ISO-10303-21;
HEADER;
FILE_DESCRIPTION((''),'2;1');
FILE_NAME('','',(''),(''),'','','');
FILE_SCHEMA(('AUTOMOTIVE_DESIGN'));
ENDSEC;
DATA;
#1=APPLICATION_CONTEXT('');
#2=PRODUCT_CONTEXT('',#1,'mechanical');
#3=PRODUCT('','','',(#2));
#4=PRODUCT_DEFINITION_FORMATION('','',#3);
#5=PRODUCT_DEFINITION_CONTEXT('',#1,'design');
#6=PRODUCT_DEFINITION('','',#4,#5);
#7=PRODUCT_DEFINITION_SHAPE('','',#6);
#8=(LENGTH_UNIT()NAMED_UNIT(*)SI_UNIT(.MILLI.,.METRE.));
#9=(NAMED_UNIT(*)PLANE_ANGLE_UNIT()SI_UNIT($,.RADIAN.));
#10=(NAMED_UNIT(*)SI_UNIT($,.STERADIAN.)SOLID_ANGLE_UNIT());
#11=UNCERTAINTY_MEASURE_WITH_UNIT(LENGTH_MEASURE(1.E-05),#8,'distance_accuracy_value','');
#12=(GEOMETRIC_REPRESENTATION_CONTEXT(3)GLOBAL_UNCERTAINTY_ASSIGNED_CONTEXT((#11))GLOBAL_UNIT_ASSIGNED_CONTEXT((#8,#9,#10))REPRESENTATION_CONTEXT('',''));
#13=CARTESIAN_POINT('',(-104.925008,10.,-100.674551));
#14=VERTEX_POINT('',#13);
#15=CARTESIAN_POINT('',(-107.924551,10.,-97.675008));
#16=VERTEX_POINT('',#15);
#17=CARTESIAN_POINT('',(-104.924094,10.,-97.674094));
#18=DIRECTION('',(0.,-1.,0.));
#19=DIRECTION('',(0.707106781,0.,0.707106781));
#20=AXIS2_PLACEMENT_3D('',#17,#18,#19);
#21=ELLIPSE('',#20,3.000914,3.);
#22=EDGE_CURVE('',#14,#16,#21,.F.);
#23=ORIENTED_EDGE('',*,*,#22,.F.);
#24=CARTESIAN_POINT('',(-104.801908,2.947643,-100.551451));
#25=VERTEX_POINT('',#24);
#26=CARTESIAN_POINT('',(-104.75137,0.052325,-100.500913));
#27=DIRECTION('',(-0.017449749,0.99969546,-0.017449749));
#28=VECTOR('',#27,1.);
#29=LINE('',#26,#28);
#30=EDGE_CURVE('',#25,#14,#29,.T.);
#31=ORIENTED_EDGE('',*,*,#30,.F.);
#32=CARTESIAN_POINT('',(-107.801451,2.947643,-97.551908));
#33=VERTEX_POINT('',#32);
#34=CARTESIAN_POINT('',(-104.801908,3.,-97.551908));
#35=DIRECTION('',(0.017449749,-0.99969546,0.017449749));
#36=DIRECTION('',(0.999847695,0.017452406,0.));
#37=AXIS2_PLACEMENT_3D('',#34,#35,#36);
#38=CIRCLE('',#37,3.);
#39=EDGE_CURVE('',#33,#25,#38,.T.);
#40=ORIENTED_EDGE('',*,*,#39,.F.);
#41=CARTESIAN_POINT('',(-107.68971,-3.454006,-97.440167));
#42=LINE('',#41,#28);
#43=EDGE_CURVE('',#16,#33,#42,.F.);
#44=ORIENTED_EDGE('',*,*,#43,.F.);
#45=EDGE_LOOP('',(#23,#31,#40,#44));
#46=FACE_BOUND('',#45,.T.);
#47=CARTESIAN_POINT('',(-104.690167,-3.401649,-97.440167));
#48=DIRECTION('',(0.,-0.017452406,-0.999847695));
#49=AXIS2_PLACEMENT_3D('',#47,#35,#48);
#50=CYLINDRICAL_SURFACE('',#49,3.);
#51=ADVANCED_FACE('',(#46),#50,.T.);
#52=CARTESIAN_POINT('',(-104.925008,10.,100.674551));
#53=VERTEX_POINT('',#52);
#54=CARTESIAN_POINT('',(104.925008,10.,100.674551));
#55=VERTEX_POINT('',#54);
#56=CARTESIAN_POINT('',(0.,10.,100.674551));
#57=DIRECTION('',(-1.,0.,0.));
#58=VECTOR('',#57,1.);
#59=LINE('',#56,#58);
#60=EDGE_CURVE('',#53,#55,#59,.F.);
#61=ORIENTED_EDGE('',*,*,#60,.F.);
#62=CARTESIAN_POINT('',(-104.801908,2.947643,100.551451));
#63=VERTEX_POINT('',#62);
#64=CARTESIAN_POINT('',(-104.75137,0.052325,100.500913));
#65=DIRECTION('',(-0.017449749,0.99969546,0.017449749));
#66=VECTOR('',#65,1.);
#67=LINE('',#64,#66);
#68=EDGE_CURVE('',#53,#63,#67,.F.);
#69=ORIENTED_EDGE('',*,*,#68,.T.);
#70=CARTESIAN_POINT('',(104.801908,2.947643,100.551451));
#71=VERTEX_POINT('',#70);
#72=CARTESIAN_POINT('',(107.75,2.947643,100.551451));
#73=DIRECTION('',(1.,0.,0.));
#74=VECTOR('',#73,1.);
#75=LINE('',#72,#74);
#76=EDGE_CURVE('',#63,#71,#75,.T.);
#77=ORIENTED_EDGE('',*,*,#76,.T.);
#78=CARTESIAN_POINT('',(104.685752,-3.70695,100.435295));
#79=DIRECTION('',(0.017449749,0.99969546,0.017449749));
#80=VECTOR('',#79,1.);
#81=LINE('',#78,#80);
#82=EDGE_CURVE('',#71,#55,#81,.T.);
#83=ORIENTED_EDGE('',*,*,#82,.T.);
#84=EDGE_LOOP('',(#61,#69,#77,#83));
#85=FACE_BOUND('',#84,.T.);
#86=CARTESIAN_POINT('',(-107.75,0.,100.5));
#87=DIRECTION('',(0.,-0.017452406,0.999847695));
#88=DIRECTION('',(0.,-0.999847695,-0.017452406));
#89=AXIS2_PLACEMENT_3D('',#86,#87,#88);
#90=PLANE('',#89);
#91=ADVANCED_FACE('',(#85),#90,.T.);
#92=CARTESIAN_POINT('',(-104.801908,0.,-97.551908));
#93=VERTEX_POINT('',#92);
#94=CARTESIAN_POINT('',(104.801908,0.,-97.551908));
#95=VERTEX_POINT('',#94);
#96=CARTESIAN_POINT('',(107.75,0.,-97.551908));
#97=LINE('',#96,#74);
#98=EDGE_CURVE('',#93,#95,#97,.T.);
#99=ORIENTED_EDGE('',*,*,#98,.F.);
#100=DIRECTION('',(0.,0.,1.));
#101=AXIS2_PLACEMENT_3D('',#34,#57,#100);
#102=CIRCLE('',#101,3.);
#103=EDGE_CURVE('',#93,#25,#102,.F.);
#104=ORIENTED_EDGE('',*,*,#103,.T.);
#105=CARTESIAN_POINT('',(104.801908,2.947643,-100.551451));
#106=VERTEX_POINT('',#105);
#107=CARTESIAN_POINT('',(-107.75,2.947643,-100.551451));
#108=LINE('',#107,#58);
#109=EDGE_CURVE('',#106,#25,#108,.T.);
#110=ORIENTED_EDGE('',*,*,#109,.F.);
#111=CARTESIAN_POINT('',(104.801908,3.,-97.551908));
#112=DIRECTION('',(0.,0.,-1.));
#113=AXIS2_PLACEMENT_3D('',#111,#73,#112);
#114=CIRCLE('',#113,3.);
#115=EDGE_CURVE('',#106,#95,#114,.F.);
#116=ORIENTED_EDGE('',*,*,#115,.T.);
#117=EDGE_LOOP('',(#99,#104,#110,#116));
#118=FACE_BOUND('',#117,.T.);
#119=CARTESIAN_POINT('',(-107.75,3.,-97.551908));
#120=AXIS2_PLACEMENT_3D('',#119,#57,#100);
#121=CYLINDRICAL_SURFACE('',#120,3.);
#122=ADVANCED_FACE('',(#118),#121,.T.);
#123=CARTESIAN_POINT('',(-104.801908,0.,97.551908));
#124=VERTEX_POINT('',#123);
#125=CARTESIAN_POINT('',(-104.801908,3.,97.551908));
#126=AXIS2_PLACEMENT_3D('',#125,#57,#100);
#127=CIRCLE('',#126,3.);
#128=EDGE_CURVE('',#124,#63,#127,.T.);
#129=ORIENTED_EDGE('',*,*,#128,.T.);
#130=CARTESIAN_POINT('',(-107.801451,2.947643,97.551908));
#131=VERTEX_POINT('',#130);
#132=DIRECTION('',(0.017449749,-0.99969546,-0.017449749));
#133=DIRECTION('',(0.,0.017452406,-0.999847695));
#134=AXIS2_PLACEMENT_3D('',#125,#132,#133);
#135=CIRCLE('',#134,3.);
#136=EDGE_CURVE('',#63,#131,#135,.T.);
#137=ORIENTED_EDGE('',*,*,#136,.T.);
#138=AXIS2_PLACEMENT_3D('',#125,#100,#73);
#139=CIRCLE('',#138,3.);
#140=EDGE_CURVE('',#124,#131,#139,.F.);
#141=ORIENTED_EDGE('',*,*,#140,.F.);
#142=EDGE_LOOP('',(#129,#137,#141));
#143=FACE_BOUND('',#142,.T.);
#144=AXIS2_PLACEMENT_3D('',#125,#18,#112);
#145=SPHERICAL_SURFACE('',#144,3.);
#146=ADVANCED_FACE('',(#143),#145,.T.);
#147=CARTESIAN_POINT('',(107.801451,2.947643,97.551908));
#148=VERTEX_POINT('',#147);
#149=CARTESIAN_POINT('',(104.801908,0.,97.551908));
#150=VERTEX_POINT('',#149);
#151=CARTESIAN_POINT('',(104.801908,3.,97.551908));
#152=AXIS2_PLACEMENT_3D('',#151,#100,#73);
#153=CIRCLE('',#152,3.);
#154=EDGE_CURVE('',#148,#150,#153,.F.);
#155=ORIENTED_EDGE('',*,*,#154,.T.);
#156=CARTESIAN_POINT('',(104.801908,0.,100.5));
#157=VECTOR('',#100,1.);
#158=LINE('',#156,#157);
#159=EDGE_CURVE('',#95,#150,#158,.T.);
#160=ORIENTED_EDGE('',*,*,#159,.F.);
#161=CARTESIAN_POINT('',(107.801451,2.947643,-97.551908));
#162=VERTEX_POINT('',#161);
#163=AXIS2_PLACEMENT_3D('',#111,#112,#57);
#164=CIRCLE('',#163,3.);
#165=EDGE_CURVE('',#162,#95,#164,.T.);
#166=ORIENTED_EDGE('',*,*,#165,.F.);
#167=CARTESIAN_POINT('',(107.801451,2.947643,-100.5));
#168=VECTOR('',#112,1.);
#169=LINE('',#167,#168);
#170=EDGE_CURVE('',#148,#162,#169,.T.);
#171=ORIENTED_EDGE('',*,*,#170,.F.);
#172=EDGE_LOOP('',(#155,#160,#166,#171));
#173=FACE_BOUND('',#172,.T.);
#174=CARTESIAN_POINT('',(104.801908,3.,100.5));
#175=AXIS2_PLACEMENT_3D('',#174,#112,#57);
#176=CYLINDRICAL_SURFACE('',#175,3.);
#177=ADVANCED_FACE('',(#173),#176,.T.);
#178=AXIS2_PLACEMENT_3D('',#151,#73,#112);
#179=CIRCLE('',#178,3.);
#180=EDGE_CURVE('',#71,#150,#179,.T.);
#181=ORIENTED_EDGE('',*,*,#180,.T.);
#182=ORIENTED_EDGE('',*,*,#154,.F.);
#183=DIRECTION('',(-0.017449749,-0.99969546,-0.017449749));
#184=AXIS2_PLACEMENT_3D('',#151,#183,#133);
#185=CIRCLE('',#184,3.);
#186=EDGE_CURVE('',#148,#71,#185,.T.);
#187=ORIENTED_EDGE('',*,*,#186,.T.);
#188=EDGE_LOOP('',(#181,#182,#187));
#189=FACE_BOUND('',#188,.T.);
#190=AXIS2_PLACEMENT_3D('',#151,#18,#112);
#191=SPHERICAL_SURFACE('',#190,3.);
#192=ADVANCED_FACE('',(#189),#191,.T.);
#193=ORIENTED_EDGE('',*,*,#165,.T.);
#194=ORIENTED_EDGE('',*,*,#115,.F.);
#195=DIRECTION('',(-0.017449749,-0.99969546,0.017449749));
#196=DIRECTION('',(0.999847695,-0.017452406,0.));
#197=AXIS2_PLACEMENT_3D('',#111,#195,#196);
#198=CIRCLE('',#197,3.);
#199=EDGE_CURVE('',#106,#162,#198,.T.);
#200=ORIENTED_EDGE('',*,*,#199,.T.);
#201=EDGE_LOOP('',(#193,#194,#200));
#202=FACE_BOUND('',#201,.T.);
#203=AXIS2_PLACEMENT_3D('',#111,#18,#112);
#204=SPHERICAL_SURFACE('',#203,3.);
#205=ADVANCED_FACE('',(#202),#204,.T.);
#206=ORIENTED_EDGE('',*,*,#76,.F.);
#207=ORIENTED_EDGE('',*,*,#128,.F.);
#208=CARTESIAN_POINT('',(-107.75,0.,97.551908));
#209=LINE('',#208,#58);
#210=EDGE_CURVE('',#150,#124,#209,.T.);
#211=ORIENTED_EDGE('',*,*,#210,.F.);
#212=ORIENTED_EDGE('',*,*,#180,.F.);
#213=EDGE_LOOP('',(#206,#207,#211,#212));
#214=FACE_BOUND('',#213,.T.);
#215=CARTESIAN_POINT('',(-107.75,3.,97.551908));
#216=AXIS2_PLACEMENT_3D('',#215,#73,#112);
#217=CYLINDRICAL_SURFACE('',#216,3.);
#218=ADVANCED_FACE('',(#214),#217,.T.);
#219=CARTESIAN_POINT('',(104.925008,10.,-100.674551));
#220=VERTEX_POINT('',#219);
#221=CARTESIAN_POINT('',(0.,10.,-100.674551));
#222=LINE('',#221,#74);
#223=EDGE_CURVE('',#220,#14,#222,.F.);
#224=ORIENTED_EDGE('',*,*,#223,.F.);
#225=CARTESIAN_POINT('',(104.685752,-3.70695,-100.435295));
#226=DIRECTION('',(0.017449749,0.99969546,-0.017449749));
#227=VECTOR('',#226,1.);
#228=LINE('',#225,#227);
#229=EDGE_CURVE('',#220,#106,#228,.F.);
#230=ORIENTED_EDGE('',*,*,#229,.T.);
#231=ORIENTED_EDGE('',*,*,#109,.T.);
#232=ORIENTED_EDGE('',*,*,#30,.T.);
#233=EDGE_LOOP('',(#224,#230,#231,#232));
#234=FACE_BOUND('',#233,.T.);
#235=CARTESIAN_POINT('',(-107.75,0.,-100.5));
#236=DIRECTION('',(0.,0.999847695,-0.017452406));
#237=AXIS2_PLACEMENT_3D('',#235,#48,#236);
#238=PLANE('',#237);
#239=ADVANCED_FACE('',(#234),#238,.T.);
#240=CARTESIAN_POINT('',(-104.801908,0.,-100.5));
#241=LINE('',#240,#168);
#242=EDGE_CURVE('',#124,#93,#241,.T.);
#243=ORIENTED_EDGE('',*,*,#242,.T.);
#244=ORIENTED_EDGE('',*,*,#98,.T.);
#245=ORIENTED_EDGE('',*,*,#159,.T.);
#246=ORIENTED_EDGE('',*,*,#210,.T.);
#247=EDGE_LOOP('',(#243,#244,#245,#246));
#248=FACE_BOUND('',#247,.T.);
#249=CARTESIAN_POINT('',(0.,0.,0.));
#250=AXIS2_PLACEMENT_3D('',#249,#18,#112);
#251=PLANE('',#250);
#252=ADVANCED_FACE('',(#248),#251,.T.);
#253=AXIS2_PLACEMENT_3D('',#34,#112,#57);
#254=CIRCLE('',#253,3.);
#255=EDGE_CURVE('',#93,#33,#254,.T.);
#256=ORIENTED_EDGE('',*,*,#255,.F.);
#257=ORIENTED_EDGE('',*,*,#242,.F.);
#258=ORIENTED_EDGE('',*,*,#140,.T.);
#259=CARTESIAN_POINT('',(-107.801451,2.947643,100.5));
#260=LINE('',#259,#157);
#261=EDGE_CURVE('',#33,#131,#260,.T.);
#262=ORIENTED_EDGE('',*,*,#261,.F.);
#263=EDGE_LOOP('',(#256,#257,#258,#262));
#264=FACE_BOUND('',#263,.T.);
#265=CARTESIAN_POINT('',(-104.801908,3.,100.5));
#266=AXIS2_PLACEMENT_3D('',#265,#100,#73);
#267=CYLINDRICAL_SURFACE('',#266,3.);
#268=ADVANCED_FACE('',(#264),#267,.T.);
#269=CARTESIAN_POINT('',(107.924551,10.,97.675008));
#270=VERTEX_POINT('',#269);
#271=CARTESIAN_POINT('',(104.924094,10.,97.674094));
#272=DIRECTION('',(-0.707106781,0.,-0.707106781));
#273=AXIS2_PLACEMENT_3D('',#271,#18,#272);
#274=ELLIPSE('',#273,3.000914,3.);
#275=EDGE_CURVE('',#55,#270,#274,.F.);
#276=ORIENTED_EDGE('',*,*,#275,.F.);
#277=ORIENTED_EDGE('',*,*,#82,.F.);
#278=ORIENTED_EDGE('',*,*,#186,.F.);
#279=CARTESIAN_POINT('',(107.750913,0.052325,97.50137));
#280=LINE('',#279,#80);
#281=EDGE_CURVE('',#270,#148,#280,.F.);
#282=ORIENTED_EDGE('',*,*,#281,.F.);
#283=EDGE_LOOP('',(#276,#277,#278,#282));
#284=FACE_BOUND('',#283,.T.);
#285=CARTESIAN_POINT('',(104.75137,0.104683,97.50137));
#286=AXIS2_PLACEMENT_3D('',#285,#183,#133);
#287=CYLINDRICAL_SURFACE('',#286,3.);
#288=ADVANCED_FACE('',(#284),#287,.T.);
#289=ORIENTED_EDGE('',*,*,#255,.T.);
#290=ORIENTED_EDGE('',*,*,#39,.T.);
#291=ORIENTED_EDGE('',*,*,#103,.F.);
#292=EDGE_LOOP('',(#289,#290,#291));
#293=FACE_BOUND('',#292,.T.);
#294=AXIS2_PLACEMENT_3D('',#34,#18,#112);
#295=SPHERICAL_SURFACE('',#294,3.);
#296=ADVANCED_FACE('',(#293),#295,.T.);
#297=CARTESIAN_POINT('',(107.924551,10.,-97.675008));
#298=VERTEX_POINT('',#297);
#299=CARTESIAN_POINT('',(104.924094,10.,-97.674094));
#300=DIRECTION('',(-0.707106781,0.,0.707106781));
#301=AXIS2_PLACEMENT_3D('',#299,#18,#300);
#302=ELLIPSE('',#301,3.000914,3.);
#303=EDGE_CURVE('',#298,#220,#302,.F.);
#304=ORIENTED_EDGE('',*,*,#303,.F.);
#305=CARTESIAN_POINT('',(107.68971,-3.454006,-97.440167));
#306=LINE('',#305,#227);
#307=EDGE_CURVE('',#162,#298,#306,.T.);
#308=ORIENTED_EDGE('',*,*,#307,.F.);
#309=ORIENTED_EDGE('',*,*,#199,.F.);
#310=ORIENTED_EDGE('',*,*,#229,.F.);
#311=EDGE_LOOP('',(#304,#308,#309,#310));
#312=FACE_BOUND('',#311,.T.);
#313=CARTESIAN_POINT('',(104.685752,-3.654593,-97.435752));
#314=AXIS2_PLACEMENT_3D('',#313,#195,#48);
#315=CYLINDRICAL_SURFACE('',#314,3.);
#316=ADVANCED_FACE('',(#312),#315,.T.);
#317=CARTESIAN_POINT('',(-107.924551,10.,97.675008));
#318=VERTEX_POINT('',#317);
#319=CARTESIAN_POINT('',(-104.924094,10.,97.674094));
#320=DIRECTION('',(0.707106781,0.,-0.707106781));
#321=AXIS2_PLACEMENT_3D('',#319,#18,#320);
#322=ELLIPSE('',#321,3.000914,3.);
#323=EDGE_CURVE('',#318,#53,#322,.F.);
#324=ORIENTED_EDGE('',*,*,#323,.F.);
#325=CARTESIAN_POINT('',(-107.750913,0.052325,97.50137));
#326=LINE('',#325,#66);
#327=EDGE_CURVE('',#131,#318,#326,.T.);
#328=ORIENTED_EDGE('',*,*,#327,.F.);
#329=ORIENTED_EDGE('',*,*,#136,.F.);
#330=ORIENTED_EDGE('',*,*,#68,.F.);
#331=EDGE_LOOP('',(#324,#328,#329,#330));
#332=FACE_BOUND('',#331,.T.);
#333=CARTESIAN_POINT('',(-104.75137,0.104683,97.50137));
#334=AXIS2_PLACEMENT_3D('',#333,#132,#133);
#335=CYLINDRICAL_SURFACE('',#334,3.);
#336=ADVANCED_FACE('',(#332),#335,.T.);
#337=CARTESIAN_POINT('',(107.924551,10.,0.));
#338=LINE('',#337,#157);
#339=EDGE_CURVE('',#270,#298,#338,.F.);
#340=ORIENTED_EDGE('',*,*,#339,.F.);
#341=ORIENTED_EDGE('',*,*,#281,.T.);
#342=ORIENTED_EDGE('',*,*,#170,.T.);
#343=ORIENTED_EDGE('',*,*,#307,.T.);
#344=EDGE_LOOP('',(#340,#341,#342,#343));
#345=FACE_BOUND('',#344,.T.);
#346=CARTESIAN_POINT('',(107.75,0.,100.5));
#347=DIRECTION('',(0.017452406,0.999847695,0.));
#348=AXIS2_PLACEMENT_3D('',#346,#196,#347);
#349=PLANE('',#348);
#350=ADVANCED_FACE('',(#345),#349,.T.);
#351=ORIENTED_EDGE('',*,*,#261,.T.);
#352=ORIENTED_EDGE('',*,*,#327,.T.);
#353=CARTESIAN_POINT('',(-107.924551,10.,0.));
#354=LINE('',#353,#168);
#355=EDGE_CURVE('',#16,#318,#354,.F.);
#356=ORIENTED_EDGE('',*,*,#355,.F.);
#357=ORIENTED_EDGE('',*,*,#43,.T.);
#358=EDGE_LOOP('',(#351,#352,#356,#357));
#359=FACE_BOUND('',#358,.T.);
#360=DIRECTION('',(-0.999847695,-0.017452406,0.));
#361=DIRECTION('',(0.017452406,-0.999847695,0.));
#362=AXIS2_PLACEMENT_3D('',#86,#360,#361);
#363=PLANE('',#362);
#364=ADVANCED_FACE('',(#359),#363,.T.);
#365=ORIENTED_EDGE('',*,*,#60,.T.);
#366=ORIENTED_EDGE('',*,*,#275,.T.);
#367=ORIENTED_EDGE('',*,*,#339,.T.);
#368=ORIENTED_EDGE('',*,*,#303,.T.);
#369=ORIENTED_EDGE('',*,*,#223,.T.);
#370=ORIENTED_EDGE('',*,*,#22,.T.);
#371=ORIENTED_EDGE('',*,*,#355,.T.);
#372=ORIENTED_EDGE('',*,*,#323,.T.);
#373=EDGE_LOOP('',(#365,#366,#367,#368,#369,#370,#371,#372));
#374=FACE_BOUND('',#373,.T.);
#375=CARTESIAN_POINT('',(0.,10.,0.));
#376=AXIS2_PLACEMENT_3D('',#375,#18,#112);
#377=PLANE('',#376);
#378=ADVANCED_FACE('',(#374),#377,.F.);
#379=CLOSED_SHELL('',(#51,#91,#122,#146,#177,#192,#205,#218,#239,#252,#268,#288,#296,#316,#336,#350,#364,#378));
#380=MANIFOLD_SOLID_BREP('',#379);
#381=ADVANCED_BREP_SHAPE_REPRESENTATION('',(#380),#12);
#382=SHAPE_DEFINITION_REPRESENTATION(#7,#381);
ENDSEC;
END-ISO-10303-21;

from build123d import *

# Parameters (mm, degrees)
SKETCH1_W           = 215.5
SKETCH1_H           = 201
BOSS_EXTRUDE1_DEPTH = 10
BOSS_EXTRUDE1_DRAFT = -1
FILLET1_R           = 3


with BuildPart() as part:
    # Sketch1 → Boss-Extrude1 (with draft: the straight prism first)
    with BuildSketch(Plane(origin=(0, 0, 0), x_dir=(1, 0, 0), z_dir=(0, 1, 0))):
        Rectangle(SKETCH1_W, SKETCH1_H)
    extrude(amount=BOSS_EXTRUDE1_DEPTH)
    # Boss-Extrude1: the draft: its side faces are tilted about the plane it starts from
    boss_extrude1_sides = [part.faces().sort_by_distance(p)[0] for p in [
        (0, 5, 100.5),
        (107.75, 5, 0),
        (0, 5, -100.5),
        (-107.75, 5, 0),
    ]]
    draft(boss_extrude1_sides, Plane(origin=(0, 0, 0), x_dir=(1, 0, 0), z_dir=(0, 1, 0)), BOSS_EXTRUDE1_DRAFT)

    # Fillet1
    fillet1_edges = [part.edges().sort_by_distance(p)[0] for p in [
        (0, 0, 100.5),
        (-107.75, 0, 0),
        (0, 0, -100.5),
        (107.75, 0, 0),
        (107.837275325, 5, 100.587275325),
        (-107.837275325, 5, 100.587275325),
        (-107.837275325, 5, -100.587275325),
        (107.837275325, 5, -100.587275325),
    ]]
    fillet(fillet1_edges, radius=FILLET1_R)


solid = part.part
